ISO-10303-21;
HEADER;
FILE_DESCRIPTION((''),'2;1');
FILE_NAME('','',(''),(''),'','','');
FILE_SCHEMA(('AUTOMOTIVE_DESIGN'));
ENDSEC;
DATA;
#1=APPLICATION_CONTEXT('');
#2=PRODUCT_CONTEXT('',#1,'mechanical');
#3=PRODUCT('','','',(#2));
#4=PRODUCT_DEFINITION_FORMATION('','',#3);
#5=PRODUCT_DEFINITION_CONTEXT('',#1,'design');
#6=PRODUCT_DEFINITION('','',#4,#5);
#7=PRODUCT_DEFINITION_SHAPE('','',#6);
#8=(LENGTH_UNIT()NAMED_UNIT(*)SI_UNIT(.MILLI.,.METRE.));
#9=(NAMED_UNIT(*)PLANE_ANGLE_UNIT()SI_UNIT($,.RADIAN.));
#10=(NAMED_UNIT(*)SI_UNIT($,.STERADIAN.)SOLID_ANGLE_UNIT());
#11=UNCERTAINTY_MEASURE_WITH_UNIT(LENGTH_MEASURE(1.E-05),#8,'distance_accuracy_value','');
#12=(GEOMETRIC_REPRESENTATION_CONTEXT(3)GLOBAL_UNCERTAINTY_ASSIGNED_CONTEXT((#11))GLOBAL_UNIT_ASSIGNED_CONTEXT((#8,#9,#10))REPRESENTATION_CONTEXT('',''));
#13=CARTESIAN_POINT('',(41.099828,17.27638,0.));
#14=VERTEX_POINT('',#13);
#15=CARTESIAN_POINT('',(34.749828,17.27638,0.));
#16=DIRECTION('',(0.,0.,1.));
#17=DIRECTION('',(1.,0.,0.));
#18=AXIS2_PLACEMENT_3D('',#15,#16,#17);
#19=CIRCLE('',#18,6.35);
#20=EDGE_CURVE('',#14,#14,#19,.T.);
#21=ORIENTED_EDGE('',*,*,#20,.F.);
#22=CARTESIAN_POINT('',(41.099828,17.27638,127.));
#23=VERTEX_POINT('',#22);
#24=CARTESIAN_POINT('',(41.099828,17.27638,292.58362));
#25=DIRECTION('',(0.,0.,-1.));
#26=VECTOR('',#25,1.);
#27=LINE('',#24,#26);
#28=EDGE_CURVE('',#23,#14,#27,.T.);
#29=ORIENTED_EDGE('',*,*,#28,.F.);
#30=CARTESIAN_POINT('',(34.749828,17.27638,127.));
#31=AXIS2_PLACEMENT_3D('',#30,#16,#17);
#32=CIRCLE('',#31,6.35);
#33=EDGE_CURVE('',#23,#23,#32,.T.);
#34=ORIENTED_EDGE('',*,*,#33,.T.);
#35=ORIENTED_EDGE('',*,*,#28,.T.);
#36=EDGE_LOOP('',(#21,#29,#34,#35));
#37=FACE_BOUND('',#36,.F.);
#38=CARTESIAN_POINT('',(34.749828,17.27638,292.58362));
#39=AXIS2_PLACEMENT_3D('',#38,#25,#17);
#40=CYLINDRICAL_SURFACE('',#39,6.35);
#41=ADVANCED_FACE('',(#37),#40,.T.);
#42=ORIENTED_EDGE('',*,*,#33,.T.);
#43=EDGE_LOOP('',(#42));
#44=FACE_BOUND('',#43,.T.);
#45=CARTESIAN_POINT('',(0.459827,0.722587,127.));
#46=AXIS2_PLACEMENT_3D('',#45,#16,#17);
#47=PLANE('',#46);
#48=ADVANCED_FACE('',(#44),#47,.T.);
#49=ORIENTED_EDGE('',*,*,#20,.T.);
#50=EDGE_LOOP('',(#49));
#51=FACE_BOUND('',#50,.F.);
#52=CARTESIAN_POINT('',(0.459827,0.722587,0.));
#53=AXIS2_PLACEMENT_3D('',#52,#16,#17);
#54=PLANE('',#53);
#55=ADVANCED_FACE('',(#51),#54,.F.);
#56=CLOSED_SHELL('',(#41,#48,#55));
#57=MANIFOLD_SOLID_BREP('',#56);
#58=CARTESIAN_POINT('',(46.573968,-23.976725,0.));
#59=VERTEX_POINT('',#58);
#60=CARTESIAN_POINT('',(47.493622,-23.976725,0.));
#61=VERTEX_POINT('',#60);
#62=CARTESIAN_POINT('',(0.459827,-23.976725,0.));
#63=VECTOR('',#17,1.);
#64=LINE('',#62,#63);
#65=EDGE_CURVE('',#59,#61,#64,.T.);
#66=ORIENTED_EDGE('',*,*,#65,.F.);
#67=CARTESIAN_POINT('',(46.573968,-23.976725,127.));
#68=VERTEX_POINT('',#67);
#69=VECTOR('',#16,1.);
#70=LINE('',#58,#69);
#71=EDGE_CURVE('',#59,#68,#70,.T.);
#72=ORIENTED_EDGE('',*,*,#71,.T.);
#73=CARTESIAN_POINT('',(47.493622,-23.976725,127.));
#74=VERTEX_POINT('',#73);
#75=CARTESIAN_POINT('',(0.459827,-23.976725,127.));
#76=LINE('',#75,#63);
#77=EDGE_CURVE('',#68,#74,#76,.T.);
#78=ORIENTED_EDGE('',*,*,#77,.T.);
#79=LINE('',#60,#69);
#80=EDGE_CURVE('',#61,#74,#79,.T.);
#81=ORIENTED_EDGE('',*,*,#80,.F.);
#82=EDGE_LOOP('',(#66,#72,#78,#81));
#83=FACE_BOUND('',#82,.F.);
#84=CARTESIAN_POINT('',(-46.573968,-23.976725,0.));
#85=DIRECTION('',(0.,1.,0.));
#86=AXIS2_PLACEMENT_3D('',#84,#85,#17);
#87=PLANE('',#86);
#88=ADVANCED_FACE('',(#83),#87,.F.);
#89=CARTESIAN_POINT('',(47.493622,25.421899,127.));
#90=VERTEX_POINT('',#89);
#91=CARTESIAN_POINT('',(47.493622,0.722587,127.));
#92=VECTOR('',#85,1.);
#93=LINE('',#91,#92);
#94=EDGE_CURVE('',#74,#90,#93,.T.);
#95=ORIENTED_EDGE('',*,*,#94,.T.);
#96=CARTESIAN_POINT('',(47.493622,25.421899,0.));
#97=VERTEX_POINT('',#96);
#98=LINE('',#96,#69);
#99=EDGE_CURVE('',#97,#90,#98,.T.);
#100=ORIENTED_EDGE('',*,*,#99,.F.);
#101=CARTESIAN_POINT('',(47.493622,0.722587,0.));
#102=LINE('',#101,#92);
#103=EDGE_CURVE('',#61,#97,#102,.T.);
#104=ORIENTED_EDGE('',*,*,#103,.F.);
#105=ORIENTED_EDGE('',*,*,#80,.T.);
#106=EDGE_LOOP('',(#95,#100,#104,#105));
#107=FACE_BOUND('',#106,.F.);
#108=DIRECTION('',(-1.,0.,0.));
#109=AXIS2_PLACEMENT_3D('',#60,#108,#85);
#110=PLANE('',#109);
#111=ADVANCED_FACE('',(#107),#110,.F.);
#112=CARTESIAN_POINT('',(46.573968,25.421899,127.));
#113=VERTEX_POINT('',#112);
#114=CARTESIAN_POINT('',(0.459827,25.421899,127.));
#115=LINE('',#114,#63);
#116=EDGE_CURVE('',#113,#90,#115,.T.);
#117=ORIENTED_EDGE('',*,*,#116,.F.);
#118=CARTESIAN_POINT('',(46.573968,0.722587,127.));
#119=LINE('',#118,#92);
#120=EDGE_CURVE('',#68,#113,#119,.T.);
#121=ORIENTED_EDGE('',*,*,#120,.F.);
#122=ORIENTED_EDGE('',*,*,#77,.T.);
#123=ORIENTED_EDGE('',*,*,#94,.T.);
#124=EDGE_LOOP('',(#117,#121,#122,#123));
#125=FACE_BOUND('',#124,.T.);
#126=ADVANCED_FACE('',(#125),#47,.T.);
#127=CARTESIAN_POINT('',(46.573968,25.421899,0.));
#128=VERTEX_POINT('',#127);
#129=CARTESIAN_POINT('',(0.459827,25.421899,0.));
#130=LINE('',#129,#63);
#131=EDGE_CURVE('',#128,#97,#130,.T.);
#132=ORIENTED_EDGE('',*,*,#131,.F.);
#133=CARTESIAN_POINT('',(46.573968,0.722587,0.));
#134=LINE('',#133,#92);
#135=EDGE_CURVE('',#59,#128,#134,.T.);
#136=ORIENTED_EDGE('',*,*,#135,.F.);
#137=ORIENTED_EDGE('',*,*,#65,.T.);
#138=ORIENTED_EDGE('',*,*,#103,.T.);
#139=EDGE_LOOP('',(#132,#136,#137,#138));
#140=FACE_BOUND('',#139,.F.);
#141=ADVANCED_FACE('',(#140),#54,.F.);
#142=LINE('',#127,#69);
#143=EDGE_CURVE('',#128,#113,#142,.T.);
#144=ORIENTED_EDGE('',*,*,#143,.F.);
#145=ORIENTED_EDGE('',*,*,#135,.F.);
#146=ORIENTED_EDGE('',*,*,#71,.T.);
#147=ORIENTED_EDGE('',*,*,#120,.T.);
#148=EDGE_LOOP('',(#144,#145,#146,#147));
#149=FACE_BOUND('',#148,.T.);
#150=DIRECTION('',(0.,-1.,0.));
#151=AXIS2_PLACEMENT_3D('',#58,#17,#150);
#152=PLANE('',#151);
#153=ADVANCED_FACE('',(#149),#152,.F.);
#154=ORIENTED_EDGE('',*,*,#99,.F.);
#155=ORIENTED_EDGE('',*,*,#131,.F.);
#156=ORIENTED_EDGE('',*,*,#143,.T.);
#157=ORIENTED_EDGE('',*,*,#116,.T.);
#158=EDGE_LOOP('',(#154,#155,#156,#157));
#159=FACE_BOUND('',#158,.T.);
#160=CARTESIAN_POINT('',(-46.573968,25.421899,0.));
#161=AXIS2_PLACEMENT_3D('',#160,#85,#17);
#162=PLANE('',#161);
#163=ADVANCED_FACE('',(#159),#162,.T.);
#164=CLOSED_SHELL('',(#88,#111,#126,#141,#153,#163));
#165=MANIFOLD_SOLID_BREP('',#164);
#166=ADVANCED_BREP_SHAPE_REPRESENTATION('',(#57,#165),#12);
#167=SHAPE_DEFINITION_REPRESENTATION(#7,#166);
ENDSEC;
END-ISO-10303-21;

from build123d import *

# Parameters (mm, degrees)
F0_W     = 94.067589
F0_H     = 49.398624
F1_DEPTH = 127
F3_D     = 12.7


with BuildPart() as f1:
    # F0 (on Top) → F1 (new body)
    with BuildSketch(Plane.XY):
        with Locations((0.459827, 0.722587)):
            Rectangle(F0_W, F0_H)
    extrude(amount=F1_DEPTH)

    # F3 (through all)
    with Locations(Plane.XY.offset(127)):
        with Locations((-34.749828, 17.27638)):
            Hole(F3_D / 2)

    # F4: F1 across plane


with BuildPart() as f1_1:
    add(f1.part)
    add(f1.part.mirror(Plane.YZ), mode=Mode.SUBTRACT)


solid = f1_1.part
